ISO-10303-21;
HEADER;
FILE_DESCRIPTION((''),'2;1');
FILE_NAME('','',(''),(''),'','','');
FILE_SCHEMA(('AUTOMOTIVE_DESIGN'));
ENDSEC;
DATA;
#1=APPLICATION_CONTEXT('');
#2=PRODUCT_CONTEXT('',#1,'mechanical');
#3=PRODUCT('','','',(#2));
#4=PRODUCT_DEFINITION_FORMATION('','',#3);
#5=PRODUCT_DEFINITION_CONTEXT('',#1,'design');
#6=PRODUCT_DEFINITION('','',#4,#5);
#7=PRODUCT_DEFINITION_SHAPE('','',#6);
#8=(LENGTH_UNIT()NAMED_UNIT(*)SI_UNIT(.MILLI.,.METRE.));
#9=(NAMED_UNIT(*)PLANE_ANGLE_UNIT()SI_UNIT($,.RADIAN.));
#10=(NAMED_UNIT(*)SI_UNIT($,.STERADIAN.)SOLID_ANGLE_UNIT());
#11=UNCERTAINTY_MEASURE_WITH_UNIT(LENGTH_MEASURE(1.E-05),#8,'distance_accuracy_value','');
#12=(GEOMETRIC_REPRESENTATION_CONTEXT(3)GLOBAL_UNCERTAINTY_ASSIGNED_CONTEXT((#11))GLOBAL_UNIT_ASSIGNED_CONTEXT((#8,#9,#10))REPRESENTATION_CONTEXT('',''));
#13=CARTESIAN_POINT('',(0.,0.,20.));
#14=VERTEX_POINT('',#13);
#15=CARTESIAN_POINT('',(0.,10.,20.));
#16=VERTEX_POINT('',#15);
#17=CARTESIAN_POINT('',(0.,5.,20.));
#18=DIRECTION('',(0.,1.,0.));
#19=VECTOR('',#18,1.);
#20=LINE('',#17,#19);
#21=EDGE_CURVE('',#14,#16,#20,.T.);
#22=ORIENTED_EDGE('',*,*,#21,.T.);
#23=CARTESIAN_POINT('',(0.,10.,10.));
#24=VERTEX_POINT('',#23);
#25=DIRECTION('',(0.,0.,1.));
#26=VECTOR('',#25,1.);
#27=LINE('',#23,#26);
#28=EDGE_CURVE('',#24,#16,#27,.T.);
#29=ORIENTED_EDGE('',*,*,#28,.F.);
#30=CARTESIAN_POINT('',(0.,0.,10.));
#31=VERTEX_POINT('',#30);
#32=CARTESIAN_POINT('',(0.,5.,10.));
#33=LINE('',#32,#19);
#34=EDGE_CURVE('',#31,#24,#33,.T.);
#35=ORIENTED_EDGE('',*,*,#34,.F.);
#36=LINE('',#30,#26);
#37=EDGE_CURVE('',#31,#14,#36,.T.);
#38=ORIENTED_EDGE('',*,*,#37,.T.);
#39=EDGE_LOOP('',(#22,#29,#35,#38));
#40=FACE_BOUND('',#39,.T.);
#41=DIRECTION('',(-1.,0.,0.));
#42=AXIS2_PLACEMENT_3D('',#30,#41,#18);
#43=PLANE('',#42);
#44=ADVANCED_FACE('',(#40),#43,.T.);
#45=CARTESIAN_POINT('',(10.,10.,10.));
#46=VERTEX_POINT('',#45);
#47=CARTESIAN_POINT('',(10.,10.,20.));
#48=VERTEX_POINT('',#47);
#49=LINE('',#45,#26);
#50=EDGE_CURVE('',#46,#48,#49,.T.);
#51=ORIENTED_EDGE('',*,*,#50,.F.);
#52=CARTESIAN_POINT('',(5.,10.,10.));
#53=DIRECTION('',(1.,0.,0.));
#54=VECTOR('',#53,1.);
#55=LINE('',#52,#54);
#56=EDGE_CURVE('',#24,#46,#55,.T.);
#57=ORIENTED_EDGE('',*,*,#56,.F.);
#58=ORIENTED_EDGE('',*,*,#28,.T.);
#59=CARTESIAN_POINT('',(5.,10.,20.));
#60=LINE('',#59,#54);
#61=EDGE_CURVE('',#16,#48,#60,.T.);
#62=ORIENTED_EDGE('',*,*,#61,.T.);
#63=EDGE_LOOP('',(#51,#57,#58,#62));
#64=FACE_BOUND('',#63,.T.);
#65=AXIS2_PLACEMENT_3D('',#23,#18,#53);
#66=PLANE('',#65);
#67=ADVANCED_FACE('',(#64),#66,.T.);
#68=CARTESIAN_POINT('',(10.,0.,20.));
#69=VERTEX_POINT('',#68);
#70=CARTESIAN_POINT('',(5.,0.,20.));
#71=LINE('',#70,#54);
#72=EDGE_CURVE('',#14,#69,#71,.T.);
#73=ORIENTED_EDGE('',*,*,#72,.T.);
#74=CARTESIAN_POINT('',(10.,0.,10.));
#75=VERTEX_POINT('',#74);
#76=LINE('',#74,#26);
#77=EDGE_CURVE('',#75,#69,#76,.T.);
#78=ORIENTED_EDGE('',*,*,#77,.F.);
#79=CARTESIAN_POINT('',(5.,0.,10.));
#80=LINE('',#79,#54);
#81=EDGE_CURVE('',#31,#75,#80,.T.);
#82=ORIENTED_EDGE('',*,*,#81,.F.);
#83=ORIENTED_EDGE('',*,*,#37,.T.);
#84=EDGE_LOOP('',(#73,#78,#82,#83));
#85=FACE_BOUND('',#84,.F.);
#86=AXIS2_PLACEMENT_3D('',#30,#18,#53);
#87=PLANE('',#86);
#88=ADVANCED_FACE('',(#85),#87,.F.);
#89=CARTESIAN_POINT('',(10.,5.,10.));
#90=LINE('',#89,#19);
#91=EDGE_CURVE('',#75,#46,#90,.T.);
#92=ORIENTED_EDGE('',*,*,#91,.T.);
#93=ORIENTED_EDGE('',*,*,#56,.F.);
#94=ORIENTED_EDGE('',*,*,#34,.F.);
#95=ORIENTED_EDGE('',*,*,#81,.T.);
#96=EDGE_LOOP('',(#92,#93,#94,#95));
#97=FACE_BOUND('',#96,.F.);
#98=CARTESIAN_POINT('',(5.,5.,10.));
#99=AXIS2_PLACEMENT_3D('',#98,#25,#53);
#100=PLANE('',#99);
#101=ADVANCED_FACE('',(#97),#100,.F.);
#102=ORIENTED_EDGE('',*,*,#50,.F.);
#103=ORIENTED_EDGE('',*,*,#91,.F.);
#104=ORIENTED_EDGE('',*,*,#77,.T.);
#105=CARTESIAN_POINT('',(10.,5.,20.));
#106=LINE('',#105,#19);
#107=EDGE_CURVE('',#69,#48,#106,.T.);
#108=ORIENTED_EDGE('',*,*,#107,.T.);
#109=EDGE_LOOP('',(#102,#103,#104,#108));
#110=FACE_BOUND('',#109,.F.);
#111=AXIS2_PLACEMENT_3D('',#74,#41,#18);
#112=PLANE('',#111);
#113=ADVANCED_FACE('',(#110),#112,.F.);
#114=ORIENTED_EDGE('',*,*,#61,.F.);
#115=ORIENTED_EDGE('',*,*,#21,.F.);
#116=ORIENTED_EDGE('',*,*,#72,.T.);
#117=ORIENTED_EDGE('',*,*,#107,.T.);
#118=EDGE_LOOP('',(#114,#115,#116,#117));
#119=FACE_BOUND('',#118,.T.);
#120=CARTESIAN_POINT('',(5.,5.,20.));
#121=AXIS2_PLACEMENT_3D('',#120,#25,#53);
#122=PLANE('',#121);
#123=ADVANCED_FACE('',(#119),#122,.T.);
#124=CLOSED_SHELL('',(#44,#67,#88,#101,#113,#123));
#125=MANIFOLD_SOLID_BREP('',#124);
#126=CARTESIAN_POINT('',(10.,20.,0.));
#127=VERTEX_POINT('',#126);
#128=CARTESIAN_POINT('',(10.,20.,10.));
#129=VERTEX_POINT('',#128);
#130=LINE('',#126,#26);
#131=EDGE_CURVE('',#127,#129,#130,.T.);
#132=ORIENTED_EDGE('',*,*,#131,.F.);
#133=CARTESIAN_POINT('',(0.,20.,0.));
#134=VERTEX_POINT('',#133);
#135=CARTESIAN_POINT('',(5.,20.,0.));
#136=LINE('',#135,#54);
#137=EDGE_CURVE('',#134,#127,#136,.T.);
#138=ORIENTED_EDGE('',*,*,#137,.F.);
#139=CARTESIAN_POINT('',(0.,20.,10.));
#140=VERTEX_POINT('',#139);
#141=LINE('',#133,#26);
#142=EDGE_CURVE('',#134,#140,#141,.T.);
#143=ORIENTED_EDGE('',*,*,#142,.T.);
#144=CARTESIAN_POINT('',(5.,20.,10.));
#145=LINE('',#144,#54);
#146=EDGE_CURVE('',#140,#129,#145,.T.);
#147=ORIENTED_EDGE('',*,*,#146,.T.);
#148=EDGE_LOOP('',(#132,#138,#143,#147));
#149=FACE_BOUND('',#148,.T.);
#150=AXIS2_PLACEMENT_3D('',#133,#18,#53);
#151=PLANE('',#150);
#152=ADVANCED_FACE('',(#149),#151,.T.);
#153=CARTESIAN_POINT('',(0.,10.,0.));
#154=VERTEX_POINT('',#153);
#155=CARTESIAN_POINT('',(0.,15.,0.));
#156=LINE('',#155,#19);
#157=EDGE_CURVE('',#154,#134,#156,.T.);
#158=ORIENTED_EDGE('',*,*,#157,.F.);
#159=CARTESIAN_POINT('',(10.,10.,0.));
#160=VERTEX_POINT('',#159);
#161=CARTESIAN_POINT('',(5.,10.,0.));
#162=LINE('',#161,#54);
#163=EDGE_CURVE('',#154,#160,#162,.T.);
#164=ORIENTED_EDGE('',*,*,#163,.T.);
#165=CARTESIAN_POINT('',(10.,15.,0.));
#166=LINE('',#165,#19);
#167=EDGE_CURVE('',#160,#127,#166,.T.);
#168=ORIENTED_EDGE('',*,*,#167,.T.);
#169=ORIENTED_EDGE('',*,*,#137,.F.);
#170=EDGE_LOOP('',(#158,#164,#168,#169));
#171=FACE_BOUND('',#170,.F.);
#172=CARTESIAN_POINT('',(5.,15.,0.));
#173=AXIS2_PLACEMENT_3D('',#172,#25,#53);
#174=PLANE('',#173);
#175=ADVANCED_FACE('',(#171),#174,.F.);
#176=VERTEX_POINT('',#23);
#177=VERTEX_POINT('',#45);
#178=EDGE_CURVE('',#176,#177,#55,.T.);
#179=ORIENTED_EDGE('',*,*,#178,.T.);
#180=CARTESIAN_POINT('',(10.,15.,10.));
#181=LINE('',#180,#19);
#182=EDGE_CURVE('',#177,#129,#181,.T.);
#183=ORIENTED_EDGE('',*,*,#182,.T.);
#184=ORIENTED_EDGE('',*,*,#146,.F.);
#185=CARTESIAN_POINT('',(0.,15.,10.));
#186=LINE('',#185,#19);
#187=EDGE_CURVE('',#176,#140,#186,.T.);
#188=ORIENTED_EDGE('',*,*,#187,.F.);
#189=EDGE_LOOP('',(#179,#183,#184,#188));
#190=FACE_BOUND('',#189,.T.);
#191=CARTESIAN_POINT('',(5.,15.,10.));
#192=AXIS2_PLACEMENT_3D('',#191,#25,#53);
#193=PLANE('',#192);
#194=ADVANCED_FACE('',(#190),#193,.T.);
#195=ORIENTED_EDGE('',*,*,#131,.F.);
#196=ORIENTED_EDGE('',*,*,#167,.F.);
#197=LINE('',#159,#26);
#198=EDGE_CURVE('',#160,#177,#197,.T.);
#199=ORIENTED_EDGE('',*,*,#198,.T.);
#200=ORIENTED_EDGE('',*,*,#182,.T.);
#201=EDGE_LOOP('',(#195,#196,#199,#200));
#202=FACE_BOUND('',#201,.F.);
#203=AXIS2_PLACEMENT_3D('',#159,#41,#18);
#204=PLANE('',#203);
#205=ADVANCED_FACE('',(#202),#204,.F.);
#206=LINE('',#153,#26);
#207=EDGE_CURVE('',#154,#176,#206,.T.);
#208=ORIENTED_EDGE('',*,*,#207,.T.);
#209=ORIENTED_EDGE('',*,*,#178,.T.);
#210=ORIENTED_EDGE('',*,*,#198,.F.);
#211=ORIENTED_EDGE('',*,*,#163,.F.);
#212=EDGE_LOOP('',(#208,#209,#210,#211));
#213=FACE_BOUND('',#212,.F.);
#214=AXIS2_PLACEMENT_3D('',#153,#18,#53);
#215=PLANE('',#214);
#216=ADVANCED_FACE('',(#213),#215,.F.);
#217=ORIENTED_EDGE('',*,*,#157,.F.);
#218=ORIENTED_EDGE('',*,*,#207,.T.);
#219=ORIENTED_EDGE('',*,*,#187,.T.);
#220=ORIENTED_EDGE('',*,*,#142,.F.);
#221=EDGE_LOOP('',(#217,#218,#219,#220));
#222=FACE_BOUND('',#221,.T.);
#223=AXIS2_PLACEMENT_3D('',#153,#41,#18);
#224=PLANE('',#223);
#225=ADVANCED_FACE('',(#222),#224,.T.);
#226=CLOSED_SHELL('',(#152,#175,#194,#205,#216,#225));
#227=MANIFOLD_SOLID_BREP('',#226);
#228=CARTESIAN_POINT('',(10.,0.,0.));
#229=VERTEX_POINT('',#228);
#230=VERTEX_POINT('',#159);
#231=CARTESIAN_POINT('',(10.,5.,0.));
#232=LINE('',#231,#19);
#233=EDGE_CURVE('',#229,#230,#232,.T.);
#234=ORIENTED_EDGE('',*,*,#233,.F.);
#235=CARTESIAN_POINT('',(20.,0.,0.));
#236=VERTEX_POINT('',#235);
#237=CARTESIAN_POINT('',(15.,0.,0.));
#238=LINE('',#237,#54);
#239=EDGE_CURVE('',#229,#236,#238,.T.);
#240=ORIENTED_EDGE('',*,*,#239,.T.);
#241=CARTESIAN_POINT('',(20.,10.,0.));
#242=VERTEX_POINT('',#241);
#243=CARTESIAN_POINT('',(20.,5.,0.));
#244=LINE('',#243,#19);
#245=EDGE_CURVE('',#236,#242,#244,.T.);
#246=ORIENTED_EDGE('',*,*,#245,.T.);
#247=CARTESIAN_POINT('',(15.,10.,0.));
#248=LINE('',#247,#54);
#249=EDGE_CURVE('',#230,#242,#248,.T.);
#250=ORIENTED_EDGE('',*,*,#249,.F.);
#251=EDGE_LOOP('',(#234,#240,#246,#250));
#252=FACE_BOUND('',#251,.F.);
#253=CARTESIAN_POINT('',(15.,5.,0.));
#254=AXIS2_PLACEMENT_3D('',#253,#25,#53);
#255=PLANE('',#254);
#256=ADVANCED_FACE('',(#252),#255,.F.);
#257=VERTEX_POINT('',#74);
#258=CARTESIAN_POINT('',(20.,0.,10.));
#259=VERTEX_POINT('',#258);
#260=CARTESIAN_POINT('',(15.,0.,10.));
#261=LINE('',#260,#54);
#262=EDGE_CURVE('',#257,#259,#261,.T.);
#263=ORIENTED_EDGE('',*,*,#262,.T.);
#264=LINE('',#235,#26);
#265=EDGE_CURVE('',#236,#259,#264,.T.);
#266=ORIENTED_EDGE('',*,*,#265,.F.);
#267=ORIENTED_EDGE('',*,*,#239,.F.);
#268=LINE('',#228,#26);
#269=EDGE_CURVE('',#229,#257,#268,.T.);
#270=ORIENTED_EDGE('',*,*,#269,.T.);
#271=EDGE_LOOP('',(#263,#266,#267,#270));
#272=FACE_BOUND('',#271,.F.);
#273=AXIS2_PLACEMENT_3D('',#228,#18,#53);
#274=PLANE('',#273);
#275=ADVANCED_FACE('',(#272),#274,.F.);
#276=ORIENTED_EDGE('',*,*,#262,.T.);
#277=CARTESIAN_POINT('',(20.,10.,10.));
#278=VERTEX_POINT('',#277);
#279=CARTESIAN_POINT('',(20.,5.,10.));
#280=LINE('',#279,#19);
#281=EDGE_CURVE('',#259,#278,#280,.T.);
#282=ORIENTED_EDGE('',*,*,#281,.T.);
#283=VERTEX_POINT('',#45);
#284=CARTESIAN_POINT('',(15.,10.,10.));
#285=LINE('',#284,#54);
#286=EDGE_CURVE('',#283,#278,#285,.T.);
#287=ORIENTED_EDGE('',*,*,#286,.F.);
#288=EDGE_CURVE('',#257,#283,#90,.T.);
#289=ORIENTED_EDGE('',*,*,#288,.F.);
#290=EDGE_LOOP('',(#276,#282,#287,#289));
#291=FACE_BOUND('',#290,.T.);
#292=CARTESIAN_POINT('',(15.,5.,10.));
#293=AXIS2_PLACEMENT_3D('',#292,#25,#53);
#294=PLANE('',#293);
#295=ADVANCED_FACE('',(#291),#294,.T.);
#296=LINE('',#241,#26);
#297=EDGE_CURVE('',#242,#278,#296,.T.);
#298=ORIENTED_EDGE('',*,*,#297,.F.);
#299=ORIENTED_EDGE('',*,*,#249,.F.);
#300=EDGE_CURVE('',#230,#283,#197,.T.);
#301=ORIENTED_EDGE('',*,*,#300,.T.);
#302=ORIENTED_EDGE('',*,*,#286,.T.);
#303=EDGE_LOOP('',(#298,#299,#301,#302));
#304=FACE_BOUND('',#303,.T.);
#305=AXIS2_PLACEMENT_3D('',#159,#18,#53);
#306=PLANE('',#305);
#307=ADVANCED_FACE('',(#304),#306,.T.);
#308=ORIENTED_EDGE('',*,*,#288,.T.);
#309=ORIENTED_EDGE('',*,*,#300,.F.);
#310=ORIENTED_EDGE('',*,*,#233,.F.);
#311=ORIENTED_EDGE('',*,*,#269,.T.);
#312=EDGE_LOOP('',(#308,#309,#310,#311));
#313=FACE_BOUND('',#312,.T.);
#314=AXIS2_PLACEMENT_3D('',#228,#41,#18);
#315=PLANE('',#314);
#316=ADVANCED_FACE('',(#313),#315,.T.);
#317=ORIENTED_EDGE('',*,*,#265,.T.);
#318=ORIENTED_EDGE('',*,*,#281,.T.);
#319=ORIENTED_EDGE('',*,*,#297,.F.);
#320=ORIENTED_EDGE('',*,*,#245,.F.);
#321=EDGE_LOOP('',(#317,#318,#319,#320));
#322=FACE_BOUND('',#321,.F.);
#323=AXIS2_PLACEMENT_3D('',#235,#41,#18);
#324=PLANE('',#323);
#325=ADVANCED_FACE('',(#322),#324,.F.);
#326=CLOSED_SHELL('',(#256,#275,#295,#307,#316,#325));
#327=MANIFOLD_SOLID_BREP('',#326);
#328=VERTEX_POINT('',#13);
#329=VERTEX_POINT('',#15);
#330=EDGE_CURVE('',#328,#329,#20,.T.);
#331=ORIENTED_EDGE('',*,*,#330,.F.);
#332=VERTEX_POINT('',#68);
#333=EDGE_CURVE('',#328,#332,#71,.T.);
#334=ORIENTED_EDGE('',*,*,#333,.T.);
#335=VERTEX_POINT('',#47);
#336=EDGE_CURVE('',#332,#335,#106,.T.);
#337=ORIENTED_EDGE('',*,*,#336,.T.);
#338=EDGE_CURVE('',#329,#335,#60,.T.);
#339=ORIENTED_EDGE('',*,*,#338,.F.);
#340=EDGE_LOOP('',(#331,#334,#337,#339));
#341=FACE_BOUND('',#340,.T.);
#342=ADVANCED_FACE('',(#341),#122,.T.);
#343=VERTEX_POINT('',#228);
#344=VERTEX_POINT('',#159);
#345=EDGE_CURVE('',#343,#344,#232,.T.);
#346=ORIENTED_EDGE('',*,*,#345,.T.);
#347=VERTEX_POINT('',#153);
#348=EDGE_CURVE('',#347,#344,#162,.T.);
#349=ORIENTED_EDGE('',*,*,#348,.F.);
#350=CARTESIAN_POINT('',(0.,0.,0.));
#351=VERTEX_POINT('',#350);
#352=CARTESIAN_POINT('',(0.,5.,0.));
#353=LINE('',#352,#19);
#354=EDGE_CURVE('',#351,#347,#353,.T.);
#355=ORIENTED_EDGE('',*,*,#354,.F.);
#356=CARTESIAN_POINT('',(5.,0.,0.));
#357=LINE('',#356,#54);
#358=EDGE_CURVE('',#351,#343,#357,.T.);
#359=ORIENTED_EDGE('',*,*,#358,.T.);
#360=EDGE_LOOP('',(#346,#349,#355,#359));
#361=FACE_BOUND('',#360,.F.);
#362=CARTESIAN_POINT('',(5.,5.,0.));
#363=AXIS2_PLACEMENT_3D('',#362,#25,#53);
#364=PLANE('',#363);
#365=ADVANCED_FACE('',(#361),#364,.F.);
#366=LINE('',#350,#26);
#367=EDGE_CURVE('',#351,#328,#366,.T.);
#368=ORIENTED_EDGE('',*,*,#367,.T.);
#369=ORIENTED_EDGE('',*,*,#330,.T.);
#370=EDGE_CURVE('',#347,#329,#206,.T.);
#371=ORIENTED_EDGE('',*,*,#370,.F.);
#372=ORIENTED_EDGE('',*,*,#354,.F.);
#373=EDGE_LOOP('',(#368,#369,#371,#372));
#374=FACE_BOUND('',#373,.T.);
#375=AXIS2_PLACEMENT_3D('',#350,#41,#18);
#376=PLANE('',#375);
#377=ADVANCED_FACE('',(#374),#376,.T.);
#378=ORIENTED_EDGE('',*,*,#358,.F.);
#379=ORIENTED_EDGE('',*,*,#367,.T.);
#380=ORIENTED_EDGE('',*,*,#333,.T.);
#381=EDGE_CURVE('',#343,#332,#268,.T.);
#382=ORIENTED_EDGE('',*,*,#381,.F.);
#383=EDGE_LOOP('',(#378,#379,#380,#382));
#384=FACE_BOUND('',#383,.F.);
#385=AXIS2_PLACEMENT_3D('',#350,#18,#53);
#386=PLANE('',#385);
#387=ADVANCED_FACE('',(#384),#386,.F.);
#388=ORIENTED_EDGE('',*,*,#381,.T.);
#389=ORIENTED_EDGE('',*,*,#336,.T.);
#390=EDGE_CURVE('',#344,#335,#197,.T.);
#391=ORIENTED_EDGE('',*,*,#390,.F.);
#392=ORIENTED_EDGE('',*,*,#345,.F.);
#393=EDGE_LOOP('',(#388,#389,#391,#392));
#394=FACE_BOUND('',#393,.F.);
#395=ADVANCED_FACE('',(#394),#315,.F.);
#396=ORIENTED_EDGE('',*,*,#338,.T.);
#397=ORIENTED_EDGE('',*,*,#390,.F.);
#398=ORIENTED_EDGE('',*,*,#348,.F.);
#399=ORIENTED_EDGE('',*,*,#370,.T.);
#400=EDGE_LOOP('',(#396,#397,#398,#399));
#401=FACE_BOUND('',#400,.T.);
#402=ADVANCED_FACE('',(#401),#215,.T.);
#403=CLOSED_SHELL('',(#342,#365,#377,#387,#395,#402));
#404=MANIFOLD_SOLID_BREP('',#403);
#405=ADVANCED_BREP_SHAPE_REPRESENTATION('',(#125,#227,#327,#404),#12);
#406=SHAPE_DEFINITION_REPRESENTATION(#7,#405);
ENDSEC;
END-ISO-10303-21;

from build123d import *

# Parameters (mm, degrees)
BOX_W        = 10
BOX_H        = 10
BOX_DEPTH    = 10
BOX001_W     = 10
BOX001_H     = 10
BOX001_DEPTH = 10
BOX002_W     = 10
BOX002_H     = 10
BOX002_DEPTH = 10
BOX003_W     = 10
BOX003_H     = 10
BOX003_DEPTH = 20


with BuildPart() as level1_cube1:
    # Box → Box (new body)
    with BuildSketch(Plane.XY.offset(10)):
        with Locations((5, 5)):
            Rectangle(BOX_W, BOX_H)
    extrude(amount=BOX_DEPTH)


with BuildPart() as level2_cube1:
    # Box001 → Box001 (new body)
    with BuildSketch(Plane(origin=(10, 0, 0), x_dir=(1, 0, 0), z_dir=(0, 0, 1))):
        with Locations((5, 5)):
            Rectangle(BOX001_W, BOX001_H)
    extrude(amount=BOX001_DEPTH)


with BuildPart() as level2_cube2:
    # Box002 → Box002 (new body)
    with BuildSketch(Plane(origin=(0, 10, 0), x_dir=(1, 0, 0), z_dir=(0, 0, 1))):
        with Locations((5, 5)):
            Rectangle(BOX002_W, BOX002_H)
    extrude(amount=BOX002_DEPTH)


with BuildPart() as level2_cube3:
    # Box003 → Box003 (new body)
    with BuildSketch(Plane.XY):
        with Locations((5, 5)):
            Rectangle(BOX003_W, BOX003_H)
    extrude(amount=BOX003_DEPTH)


solid = Compound([level1_cube1.part, level2_cube1.part, level2_cube2.part, level2_cube3.part])
